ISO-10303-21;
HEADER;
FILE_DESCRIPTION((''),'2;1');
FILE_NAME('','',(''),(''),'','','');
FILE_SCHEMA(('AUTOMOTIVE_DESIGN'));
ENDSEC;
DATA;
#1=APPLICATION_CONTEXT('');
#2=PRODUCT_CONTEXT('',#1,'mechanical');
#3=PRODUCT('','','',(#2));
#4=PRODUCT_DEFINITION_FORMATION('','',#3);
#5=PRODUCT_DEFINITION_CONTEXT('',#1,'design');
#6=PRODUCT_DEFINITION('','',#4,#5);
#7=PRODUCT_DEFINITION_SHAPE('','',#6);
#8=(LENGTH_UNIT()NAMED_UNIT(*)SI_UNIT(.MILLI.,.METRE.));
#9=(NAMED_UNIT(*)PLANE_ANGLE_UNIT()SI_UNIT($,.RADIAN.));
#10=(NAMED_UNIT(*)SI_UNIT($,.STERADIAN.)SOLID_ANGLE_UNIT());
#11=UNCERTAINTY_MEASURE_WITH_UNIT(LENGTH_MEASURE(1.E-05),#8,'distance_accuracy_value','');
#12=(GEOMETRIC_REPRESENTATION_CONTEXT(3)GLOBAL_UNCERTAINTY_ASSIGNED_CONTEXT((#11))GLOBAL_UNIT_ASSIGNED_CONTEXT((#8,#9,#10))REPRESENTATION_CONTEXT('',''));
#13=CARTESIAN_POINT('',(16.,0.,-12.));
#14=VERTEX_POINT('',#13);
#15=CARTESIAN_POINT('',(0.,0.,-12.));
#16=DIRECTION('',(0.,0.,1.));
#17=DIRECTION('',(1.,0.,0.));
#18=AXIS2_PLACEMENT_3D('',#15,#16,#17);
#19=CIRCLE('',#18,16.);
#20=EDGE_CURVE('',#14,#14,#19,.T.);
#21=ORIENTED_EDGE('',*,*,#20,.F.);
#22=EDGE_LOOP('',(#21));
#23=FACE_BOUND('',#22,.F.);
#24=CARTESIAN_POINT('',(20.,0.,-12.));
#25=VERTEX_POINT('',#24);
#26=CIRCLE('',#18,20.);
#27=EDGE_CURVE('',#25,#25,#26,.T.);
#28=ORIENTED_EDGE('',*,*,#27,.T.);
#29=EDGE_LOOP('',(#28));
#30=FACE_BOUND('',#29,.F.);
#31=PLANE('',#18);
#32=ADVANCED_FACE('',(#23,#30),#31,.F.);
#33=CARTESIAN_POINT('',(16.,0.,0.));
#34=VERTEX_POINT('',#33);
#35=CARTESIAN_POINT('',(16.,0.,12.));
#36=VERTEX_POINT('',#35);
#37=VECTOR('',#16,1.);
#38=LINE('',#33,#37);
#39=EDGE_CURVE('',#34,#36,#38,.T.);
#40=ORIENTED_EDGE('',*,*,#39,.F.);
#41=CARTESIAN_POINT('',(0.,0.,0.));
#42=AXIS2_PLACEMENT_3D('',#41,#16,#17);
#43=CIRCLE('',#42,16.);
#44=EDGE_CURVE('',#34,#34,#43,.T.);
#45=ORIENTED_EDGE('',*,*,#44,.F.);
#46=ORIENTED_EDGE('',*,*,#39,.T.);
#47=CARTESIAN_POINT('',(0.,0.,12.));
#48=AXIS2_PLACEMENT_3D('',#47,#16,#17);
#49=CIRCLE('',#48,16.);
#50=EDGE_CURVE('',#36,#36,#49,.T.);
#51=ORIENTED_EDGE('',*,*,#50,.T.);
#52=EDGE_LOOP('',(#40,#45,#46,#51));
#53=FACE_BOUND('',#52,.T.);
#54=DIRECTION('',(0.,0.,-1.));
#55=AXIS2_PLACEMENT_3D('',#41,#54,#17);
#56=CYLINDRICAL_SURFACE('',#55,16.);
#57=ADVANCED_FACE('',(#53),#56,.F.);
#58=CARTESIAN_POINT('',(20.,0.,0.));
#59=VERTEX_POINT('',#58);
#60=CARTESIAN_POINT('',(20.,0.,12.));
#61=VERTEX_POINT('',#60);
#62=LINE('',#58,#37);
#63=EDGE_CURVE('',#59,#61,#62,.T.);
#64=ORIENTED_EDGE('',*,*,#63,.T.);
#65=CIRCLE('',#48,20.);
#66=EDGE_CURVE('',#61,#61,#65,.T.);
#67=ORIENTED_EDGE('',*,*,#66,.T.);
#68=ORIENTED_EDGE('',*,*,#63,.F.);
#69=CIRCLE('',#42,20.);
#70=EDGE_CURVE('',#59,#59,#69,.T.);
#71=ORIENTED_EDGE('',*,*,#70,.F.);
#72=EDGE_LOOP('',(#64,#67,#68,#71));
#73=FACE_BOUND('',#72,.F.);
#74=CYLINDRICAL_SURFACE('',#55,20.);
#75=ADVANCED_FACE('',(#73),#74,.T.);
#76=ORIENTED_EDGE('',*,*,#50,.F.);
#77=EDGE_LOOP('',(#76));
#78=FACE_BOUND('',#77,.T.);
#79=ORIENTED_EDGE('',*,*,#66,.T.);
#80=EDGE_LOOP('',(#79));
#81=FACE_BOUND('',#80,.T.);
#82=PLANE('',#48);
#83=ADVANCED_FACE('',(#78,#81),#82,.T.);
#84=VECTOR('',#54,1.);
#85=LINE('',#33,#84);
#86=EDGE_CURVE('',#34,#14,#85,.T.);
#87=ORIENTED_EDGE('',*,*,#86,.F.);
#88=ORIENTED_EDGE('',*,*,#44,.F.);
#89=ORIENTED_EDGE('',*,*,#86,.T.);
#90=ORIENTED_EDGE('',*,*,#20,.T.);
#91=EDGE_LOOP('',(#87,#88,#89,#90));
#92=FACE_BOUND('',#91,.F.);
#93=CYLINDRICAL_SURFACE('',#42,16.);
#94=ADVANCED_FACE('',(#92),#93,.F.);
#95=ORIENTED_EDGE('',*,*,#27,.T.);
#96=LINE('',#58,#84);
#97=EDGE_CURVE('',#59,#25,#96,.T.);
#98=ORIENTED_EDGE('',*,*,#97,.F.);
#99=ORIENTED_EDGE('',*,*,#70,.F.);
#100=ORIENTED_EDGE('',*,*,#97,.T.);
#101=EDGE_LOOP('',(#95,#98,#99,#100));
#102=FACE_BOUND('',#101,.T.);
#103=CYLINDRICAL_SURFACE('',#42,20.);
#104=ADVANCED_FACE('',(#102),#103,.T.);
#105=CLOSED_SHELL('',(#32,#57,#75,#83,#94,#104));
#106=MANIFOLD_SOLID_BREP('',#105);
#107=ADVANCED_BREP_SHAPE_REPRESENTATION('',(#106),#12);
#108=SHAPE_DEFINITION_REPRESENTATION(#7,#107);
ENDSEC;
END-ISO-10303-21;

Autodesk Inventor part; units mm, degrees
ref_plane "YZ Plane" through (0, 0, 0) normal (1, 0, 0) x (0, 1, 0)
ref_plane "XZ Plane" through (0, 0, 0) normal (0, 1, 0) x (-1, 0, 0)
ref_plane "XY Plane" through (0, 0, 0) normal (0, 0, 1) x (1, 0, 0)
sketch "스케치9" plane through (0, 0, 0) normal (0, 0, 1) x (1, 0, 0)
  circle A0 centre (0, 0) radius 20
  circle A1 centre (0, 0) radius 16
  dimension "d40" = 40
  dimension "d41" = 32
extrude "돌출4" add sketch "스케치9" along normal mid plane 24
properties part number "TL20240701-10120CV-009" material "S45C"
